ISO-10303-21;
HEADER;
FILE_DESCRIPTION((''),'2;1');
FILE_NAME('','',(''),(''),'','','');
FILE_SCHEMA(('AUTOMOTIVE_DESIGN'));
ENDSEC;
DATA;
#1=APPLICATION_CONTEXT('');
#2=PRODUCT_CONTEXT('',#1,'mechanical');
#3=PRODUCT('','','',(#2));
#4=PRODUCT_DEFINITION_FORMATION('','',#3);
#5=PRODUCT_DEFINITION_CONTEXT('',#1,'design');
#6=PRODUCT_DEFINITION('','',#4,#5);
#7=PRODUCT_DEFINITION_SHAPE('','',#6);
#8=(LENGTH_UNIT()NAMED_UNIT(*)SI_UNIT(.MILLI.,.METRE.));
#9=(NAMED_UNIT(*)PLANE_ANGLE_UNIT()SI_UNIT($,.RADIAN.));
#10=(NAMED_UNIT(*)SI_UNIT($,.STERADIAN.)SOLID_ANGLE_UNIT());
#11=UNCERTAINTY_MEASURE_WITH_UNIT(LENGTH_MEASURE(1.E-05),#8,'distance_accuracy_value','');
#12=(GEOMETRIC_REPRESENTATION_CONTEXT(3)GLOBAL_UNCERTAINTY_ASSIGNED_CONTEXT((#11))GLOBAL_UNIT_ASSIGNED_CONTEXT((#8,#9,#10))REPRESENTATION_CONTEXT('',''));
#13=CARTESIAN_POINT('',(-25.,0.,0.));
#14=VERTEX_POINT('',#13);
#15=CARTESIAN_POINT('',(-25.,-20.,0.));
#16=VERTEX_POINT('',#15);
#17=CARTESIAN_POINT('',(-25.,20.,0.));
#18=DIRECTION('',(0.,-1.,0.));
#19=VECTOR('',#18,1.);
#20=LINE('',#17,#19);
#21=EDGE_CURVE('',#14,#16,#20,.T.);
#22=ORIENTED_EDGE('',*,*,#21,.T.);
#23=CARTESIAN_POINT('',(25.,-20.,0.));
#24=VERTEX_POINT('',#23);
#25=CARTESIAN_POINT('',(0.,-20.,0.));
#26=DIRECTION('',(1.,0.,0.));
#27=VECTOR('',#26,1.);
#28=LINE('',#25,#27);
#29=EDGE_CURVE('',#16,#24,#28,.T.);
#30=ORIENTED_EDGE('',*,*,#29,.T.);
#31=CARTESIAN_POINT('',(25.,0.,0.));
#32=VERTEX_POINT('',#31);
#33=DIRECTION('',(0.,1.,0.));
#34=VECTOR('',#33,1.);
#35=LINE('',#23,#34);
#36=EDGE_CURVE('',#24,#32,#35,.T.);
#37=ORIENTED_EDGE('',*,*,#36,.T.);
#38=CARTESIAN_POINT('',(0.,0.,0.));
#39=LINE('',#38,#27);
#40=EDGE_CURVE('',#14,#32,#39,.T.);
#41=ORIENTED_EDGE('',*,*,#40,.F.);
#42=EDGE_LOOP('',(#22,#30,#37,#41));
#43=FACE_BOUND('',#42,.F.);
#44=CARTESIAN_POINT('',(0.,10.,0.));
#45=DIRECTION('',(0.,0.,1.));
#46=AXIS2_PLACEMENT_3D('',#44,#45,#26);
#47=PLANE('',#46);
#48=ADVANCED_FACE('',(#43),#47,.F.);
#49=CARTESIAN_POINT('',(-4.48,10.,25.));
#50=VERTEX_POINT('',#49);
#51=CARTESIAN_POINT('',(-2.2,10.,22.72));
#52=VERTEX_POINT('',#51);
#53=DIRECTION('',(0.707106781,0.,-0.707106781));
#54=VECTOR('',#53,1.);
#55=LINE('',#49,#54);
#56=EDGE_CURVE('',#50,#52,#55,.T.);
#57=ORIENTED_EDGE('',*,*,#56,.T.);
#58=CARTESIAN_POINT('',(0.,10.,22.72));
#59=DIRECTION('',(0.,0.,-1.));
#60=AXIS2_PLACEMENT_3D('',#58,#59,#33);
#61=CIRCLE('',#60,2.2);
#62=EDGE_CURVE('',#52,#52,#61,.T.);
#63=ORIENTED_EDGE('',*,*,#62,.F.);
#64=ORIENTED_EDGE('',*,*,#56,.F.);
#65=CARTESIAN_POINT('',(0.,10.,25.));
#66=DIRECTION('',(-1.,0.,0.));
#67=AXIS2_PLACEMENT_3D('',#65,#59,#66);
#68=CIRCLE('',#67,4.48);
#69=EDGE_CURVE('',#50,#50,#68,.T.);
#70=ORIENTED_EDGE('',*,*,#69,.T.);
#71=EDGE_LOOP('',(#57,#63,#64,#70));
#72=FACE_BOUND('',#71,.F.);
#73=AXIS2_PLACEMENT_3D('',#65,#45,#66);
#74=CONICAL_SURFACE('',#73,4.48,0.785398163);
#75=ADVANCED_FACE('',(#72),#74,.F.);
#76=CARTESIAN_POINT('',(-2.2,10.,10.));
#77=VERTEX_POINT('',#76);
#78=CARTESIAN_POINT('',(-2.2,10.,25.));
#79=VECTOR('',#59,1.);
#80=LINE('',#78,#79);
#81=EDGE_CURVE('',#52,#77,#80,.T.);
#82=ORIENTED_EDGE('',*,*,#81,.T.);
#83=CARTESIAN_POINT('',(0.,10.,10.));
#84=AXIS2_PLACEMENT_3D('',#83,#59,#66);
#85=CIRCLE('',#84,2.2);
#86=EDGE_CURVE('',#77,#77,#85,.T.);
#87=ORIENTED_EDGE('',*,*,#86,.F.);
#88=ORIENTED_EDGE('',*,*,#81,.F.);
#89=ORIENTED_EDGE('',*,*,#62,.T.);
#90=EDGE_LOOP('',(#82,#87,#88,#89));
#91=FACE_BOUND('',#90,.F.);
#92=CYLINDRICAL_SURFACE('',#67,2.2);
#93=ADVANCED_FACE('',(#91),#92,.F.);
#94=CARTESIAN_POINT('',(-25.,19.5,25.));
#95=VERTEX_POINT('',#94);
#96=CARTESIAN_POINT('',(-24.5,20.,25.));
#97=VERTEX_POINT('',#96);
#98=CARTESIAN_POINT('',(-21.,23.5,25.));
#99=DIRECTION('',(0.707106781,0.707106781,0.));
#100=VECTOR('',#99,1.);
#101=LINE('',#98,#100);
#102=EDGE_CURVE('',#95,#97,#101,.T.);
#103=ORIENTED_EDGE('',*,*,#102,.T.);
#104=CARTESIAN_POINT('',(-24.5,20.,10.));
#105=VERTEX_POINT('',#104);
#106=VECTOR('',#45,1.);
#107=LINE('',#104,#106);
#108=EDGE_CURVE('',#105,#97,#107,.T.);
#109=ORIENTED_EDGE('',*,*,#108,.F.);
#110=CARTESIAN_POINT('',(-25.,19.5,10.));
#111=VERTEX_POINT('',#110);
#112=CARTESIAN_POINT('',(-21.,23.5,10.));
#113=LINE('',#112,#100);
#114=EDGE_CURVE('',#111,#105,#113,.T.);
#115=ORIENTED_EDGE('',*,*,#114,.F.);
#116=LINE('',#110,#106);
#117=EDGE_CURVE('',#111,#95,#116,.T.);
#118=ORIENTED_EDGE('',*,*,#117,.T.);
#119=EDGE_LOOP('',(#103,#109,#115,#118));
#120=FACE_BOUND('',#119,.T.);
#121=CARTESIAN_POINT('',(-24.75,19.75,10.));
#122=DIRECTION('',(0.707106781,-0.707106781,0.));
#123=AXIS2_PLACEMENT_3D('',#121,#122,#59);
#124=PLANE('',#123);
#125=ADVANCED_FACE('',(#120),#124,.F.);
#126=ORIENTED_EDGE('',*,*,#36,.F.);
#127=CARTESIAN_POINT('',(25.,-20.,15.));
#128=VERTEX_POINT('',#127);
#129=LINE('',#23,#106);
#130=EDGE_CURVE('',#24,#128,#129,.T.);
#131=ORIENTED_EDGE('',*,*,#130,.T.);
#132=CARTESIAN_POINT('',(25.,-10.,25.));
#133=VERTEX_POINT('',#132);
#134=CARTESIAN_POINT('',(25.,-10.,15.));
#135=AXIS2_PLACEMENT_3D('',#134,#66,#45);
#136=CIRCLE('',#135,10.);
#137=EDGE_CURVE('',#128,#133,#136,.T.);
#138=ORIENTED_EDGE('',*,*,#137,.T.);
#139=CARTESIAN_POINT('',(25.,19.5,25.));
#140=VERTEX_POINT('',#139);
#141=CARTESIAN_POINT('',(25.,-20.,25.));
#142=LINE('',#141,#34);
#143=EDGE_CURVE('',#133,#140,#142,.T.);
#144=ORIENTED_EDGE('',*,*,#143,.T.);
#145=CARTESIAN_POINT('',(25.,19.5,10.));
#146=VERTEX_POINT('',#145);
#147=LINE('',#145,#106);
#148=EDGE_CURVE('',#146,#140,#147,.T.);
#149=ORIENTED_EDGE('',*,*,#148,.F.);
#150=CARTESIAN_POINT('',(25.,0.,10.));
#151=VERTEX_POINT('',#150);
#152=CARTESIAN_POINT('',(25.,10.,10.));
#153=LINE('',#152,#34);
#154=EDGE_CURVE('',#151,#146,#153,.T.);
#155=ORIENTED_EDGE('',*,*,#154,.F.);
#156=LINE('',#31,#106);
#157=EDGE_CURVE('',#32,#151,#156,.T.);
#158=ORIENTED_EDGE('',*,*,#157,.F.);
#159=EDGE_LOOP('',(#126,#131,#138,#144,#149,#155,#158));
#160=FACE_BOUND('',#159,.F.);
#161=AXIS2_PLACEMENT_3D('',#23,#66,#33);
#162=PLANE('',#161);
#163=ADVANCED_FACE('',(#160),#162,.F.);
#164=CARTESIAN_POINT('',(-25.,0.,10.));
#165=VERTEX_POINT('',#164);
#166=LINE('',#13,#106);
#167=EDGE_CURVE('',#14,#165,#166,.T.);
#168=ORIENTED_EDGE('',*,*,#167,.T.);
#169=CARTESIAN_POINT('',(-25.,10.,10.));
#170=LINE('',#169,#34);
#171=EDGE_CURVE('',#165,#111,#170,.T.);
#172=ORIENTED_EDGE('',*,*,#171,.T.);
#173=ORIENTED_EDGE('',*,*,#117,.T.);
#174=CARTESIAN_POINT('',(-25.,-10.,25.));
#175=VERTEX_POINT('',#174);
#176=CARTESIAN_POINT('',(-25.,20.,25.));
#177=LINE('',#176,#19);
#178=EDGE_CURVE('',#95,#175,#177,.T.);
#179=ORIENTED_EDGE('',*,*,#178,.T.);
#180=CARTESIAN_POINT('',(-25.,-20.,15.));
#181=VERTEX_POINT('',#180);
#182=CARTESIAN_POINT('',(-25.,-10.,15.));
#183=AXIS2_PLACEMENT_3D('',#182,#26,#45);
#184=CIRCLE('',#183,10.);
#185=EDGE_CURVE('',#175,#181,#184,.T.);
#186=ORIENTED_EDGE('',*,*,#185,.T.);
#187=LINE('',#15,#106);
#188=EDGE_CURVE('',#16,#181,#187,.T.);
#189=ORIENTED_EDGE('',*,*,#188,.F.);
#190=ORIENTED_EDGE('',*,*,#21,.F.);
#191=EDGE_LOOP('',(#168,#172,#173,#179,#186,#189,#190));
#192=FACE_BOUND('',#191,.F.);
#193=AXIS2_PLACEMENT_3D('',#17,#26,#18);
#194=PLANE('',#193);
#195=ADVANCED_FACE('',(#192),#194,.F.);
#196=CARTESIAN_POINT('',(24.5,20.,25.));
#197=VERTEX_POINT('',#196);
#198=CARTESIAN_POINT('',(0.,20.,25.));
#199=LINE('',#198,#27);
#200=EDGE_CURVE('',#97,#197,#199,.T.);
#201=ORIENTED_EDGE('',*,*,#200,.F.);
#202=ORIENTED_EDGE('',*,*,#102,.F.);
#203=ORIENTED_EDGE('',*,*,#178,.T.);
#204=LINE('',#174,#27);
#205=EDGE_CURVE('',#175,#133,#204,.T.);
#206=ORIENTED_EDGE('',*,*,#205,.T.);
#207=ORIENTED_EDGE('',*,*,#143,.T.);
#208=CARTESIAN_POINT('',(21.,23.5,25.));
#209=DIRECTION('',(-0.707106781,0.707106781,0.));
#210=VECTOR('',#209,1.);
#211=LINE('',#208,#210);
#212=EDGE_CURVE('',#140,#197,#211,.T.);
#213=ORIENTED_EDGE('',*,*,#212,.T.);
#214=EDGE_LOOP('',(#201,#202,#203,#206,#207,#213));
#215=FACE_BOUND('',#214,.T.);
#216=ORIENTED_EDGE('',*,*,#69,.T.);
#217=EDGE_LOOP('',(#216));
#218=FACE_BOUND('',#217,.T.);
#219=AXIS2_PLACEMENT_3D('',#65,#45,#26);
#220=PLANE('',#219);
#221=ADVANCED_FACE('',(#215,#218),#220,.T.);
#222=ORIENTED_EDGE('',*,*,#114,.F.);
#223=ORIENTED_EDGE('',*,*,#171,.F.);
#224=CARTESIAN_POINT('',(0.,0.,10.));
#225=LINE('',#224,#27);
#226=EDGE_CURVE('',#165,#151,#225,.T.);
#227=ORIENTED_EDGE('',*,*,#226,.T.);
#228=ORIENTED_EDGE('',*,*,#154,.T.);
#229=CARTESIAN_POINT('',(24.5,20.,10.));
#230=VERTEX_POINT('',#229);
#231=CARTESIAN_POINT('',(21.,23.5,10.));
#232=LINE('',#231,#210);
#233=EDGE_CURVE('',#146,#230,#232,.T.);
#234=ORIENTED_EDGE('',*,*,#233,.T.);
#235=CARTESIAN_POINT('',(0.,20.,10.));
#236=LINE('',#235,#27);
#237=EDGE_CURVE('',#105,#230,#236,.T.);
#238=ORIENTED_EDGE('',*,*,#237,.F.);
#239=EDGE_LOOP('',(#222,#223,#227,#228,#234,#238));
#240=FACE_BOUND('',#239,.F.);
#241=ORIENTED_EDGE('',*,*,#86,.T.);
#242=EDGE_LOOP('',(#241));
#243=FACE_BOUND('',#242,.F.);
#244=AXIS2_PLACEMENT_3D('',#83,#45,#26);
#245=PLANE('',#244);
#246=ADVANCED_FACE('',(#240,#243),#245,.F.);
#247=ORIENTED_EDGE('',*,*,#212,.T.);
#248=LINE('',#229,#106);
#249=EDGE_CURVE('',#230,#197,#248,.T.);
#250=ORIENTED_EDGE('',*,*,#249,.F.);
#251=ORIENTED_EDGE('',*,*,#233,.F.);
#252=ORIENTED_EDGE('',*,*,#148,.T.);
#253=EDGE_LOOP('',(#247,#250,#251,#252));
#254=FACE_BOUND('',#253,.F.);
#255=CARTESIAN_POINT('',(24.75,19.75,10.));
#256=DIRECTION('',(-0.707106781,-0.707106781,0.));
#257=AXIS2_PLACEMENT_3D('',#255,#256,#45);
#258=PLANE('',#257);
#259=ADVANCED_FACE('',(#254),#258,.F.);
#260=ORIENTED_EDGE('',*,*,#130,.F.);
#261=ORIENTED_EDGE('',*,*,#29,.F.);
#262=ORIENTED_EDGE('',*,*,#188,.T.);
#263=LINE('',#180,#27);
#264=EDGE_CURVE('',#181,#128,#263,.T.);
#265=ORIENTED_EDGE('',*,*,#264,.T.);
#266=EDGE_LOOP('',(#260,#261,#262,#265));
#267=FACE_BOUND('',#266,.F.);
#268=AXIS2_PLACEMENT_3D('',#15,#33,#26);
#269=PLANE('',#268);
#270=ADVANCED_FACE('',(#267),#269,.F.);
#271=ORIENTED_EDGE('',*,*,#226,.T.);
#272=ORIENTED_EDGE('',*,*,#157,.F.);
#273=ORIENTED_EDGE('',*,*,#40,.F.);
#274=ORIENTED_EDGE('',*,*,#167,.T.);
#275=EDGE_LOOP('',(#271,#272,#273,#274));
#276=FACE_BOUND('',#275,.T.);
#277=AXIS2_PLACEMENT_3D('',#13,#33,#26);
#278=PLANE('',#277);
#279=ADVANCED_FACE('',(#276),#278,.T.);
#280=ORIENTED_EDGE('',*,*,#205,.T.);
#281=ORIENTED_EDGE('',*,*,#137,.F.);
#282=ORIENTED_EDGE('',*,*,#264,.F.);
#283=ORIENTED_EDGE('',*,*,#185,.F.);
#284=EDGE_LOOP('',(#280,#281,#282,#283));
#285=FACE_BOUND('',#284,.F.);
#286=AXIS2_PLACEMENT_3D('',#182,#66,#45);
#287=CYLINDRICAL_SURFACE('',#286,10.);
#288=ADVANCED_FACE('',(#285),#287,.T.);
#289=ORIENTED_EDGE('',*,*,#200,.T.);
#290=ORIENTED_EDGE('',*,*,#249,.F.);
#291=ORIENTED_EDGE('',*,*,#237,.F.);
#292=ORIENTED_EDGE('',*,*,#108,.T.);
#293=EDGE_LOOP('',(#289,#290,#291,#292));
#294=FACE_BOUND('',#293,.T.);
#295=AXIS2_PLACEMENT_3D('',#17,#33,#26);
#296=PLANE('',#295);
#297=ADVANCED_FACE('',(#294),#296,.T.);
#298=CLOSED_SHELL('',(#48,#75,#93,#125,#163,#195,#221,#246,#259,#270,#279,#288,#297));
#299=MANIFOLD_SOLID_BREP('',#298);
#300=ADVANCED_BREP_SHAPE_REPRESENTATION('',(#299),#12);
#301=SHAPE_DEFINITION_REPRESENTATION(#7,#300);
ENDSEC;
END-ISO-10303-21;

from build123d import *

# Parameters (mm, degrees)
F0_W           = 50
F0_H           = 20
F1_DEPTH       = 25
F2_DEPTH       = 10
F4_DEPTH       = 50.001
F6_D           = 4.4
F6_CSINK_D     = 8.96
F6_CSINK_ANGLE = 90
F7_SIZE        = 0.5


with BuildPart() as f1:
    # F0 (on Top) → F1 (new body)
    with BuildSketch(Plane.XY):
        with Locations((0, 10)):
            Rectangle(F0_W, F0_H)
        with Locations((0, -10)):
            Rectangle(F0_W, F0_H)
    extrude(amount=F1_DEPTH)

    # F0 (on Top) → F2 (cut)
    with BuildSketch(Plane.XY):
        with Locations((0, 10)):
            Rectangle(F0_W, F0_H)
    extrude(amount=F2_DEPTH, mode=Mode.SUBTRACT)

    # F3 (on face) → F4 (cut, through all)
    with BuildSketch(Plane(origin=(-25, 0, 0), x_dir=(0, -1, 0), z_dir=(-1, 0, 0))):
        with BuildLine():
            ThreePointArc((10, 25), (17.0710678119, 22.0710678119), (20, 15))
            Line((20, 15), (20, 25))
            Line((20, 25), (10, 25))
        make_face()
    extrude(amount=-F4_DEPTH, mode=Mode.SUBTRACT)

    # F6 (through all)
    with Locations(Plane.XY.offset(25)):
        with Locations((0, 10)):
            CounterSinkHole(F6_D / 2, F6_CSINK_D / 2, counter_sink_angle=F6_CSINK_ANGLE)

    # F7
    f7_edges = [f1.edges().sort_by_distance(p)[0] for p in [
        (25, 20, 17.5),
        (-25, 20, 17.5),
    ]]
    chamfer(f7_edges, length=F7_SIZE)


solid = f1.part
